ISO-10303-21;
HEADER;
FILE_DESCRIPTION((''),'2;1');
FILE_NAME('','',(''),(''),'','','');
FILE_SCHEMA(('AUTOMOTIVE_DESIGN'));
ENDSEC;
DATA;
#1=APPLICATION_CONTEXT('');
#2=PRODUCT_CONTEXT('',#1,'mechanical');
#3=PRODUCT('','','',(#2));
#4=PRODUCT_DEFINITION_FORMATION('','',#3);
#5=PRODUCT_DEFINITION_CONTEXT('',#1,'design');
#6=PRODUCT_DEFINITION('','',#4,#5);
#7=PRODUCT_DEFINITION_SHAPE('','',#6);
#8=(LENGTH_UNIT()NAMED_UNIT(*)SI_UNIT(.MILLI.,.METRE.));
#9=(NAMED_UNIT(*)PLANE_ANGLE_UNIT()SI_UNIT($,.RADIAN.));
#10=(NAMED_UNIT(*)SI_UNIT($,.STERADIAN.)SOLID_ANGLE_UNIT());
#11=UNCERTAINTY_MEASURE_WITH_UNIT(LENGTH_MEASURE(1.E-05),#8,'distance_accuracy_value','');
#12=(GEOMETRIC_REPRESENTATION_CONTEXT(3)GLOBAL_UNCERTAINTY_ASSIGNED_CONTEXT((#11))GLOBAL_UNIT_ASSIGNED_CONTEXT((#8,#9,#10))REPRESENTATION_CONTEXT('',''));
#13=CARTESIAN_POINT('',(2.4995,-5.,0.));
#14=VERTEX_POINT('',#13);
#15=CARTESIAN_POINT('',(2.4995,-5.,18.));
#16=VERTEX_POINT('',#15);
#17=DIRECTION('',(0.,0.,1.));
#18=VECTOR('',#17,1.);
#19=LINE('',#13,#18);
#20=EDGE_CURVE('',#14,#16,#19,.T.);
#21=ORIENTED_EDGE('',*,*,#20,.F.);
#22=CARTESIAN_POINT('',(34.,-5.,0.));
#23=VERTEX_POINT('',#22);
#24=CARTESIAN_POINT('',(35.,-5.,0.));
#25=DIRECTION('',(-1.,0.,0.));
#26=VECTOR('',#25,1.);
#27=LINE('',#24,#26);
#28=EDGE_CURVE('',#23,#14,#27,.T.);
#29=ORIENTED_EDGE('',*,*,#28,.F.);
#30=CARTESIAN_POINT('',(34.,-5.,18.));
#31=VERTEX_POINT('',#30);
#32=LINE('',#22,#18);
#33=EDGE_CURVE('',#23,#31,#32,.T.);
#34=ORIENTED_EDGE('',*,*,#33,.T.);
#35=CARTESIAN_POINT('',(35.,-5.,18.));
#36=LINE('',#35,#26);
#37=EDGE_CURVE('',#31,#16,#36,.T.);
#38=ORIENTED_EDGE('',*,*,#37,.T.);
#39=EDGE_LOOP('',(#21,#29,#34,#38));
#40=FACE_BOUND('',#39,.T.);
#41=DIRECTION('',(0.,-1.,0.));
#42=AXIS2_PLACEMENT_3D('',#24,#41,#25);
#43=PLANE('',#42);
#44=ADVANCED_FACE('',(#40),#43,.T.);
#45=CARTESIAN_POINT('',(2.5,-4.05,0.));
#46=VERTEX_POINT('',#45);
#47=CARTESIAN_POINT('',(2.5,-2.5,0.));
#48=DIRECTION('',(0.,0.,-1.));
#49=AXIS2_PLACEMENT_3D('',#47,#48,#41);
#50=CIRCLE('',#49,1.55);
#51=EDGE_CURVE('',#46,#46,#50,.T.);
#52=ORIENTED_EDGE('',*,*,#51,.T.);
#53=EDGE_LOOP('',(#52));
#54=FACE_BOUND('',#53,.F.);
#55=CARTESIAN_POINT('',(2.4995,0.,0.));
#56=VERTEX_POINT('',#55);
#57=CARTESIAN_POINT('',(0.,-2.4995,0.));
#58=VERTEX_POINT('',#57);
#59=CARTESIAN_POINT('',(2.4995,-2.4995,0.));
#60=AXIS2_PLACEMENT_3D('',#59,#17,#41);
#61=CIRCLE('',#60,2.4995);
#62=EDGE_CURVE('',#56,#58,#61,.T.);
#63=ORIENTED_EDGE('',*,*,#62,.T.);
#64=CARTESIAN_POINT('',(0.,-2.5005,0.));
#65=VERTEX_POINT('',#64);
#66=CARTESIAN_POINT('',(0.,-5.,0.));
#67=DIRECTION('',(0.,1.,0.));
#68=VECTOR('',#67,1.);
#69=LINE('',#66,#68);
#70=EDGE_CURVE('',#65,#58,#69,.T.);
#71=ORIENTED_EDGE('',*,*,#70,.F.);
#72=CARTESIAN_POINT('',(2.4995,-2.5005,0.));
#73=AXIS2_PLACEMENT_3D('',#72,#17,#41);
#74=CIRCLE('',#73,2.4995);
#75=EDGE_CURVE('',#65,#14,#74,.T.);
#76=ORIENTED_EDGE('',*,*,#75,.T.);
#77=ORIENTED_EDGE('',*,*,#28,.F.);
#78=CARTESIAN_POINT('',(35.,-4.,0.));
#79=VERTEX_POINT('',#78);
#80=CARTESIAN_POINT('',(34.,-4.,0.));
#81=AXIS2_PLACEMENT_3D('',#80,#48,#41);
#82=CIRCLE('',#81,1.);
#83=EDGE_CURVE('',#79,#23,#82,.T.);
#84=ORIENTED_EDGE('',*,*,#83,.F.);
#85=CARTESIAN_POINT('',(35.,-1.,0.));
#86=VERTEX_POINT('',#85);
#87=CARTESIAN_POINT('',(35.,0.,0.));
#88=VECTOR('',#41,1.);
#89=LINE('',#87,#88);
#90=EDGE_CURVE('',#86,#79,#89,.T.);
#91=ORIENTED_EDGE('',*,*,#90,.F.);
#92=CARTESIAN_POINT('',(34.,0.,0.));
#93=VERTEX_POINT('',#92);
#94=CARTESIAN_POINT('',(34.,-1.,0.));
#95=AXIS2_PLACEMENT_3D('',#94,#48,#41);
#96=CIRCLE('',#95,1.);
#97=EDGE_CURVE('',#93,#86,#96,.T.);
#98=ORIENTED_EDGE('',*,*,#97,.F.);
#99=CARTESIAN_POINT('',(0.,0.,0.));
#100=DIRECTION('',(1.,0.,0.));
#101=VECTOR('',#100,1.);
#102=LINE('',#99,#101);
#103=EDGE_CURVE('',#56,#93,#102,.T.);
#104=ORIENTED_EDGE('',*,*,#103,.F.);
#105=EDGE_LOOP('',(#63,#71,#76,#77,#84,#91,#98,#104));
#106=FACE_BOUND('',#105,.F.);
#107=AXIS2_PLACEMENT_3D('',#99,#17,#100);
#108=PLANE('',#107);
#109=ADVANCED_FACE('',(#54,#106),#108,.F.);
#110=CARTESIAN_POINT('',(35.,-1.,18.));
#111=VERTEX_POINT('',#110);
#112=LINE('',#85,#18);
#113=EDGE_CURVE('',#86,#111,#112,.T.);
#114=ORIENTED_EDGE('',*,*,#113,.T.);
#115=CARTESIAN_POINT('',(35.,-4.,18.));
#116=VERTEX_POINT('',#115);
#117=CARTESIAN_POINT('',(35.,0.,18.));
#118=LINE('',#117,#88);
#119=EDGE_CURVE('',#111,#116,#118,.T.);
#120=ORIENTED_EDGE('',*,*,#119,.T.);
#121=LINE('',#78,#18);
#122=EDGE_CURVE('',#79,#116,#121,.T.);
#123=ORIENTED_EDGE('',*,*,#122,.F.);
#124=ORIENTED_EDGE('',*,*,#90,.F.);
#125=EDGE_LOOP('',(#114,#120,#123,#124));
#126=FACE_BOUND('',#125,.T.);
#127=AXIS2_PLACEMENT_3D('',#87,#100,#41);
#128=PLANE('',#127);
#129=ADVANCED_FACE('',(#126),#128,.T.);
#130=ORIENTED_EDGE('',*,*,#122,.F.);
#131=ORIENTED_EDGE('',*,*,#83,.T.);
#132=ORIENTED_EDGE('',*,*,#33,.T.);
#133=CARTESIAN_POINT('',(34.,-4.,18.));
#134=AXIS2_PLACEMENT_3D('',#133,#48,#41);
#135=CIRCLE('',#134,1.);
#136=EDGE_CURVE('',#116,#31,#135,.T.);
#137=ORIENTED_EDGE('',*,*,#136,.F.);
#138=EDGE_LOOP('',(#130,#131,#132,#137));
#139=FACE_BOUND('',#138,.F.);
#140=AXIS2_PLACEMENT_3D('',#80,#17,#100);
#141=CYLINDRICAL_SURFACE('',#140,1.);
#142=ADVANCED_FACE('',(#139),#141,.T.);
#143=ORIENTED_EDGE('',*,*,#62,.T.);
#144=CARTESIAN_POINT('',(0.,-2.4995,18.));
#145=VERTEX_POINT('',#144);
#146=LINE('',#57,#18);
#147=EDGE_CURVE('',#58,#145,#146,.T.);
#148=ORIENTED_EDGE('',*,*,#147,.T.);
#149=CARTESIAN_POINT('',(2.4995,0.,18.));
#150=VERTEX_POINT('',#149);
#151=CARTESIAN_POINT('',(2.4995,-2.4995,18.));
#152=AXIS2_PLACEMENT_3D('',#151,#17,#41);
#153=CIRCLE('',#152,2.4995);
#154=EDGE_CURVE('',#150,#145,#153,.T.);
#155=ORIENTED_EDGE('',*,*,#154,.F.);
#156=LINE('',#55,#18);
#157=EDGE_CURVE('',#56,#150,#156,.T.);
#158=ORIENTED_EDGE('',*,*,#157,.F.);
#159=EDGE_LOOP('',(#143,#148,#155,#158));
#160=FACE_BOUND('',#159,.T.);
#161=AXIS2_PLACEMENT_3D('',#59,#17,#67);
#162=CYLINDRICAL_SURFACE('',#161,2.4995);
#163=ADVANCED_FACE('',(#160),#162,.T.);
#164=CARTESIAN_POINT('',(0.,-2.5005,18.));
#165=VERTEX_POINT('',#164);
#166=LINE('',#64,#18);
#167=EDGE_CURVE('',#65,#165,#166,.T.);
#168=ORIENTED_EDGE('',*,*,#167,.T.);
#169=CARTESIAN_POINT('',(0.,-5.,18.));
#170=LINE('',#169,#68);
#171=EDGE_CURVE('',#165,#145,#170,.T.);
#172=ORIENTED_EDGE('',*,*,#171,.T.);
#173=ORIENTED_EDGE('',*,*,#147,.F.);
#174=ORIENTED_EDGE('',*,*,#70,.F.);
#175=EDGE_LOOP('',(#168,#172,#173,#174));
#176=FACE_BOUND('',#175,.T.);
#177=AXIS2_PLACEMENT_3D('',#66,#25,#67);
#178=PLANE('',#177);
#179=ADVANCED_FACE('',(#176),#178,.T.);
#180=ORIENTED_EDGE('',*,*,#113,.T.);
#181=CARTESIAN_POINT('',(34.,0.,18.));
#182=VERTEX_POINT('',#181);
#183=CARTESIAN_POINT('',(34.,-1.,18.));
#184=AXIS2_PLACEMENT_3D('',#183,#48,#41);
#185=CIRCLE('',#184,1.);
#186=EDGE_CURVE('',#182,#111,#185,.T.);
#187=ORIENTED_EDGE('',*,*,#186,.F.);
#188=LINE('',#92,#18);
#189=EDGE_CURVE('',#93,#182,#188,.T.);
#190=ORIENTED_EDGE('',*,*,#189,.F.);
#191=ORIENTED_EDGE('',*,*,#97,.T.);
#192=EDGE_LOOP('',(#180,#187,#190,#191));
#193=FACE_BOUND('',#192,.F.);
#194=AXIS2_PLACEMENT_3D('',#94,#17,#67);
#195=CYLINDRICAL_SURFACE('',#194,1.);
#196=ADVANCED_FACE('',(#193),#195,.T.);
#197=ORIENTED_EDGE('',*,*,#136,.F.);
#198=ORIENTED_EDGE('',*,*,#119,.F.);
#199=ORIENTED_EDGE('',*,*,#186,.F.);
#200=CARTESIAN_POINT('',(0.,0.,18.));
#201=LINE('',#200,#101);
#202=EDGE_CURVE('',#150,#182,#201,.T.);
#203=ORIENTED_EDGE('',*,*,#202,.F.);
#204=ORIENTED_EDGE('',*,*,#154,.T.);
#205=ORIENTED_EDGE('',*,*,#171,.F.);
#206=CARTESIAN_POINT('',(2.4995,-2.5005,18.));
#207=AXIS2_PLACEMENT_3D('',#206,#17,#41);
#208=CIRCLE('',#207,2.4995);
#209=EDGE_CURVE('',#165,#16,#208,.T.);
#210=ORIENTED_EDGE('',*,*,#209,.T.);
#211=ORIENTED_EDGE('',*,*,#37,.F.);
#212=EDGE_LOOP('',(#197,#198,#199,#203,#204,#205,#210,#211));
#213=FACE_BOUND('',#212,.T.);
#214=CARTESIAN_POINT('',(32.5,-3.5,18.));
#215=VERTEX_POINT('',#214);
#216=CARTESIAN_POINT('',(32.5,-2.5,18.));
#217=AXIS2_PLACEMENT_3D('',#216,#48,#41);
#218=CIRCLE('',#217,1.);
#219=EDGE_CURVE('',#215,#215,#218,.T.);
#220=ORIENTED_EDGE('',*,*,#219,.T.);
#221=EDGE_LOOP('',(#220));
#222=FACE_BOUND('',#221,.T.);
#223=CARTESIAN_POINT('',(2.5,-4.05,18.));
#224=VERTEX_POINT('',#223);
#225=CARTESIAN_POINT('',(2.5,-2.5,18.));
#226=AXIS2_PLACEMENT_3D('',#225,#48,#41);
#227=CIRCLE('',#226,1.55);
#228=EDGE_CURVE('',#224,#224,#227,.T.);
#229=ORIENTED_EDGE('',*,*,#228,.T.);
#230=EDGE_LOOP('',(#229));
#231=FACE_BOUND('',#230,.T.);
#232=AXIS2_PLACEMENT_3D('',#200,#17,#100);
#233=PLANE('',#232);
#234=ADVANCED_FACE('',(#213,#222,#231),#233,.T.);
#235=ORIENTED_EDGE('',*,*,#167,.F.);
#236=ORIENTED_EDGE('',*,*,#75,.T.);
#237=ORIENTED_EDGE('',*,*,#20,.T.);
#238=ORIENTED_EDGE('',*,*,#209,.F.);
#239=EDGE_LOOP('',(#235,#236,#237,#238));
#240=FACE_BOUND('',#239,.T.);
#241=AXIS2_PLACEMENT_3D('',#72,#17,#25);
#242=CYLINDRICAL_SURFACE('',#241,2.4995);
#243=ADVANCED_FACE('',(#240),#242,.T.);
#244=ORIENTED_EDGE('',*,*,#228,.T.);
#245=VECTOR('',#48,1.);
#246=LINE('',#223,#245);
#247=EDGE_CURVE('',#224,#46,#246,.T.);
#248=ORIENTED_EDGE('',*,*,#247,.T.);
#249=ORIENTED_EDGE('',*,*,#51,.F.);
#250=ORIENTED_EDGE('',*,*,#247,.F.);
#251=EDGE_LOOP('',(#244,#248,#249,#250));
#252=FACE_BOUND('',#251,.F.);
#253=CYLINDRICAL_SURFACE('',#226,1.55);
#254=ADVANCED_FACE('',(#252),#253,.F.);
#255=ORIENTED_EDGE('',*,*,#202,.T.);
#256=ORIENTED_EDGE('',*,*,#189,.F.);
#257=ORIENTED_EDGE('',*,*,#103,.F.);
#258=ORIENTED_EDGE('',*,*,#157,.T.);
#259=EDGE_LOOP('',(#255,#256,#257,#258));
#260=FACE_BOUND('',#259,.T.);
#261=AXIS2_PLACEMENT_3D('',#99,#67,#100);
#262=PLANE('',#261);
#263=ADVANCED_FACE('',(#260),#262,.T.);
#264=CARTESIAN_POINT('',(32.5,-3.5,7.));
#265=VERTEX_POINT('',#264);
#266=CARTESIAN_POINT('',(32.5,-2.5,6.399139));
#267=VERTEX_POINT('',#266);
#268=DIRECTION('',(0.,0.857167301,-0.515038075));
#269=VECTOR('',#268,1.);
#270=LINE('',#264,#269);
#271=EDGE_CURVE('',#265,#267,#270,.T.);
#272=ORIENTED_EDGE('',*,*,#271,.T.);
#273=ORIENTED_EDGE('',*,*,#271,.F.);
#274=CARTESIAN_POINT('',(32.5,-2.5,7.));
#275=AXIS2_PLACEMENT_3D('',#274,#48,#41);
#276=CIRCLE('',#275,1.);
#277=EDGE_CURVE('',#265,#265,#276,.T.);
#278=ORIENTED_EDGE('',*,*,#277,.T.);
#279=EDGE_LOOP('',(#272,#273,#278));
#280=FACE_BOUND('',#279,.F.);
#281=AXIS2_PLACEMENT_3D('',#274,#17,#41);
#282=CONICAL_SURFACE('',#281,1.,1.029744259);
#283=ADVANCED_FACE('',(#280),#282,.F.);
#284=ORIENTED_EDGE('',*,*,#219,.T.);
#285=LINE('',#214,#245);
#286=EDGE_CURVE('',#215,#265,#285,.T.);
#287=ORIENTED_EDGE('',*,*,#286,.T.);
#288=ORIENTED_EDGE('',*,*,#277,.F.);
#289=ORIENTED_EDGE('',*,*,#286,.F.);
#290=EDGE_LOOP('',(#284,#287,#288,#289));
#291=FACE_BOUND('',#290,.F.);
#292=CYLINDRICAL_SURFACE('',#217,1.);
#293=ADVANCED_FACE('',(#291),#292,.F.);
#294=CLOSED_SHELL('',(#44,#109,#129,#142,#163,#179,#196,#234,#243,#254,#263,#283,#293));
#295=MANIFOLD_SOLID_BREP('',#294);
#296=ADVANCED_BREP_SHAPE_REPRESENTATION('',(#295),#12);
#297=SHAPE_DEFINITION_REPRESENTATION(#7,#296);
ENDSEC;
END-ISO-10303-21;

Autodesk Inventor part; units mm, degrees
ref_plane "YZ Plane" through (0, 0, 0) normal (1, 0, 0) x (0, 1, 0)
ref_plane "XZ Plane" through (0, 0, 0) normal (0, 1, 0) x (-1, 0, 0)
ref_plane "XY Plane" through (0, 0, 0) normal (0, 0, 1) x (1, 0, 0)
sketch "Sketch1" plane through (0, 0, 0) normal (0, 0, 1) x (1, 0, 0)
  line L0 (0, 0) -> (35, 0)
  line L1 (35, 0) -> (35, -5)
  line L2 (35, -5) -> (0, -5)
  line L3 (0, -5) -> (0, 0)
  dimension "d0" = 35
  dimension "d1" = 5
extrude "Extrusion1" add sketch "Sketch1" along normal blind 18
sketch "Sketch2" plane through (0, 0, 18) normal (0, 0, 1) x (1, 0, 0)
  line L0 (0, 0) -> (0, -5) projected
  line L1 (0, 0) -> (35, 0) projected
  point P0 (2.5, -2.5)
  dimension "d4" = 2.5
  dimension "d5" = 2.5
hole "Hole1" at (2.5, -2.5, 18) direction (0, 0, -1) diameter 3.1 end through all
fillet "Fillet1" radius 1 2 edges at (35, -5, 9) (35, 0, 9)
fillet "Fillet2" radius 2.5 2 edges at (0, -5, 9) (0, 0, 9)
sketch "Sketch3" plane through (0, 0, 18) normal (0, 0, 1) x (1, 0, 0)
  circle A0 centre (2.5, -2.5) radius 1.55 construction
  line L0 (2.5, -5) -> (34, -5) construction
  line L1 (34, 0) -> (2.5, 0) construction
  line L2 (35, -4) -> (35, -1) construction
  point P0 (0, 0)
  point P1 (32.5, -2.5)
  dimension "d15" = 2.5
  dimension "d16" = 2.5
  dimension "d17" = 5
hole "Hole2" at (32.5, -2.5, 18) direction (0, 0, -1) diameter 2 depth 11 tip angle 118
equation "\"d15\" = 0.5 * d17"
equation "\"d16\" = d15"
properties part number "porte"
